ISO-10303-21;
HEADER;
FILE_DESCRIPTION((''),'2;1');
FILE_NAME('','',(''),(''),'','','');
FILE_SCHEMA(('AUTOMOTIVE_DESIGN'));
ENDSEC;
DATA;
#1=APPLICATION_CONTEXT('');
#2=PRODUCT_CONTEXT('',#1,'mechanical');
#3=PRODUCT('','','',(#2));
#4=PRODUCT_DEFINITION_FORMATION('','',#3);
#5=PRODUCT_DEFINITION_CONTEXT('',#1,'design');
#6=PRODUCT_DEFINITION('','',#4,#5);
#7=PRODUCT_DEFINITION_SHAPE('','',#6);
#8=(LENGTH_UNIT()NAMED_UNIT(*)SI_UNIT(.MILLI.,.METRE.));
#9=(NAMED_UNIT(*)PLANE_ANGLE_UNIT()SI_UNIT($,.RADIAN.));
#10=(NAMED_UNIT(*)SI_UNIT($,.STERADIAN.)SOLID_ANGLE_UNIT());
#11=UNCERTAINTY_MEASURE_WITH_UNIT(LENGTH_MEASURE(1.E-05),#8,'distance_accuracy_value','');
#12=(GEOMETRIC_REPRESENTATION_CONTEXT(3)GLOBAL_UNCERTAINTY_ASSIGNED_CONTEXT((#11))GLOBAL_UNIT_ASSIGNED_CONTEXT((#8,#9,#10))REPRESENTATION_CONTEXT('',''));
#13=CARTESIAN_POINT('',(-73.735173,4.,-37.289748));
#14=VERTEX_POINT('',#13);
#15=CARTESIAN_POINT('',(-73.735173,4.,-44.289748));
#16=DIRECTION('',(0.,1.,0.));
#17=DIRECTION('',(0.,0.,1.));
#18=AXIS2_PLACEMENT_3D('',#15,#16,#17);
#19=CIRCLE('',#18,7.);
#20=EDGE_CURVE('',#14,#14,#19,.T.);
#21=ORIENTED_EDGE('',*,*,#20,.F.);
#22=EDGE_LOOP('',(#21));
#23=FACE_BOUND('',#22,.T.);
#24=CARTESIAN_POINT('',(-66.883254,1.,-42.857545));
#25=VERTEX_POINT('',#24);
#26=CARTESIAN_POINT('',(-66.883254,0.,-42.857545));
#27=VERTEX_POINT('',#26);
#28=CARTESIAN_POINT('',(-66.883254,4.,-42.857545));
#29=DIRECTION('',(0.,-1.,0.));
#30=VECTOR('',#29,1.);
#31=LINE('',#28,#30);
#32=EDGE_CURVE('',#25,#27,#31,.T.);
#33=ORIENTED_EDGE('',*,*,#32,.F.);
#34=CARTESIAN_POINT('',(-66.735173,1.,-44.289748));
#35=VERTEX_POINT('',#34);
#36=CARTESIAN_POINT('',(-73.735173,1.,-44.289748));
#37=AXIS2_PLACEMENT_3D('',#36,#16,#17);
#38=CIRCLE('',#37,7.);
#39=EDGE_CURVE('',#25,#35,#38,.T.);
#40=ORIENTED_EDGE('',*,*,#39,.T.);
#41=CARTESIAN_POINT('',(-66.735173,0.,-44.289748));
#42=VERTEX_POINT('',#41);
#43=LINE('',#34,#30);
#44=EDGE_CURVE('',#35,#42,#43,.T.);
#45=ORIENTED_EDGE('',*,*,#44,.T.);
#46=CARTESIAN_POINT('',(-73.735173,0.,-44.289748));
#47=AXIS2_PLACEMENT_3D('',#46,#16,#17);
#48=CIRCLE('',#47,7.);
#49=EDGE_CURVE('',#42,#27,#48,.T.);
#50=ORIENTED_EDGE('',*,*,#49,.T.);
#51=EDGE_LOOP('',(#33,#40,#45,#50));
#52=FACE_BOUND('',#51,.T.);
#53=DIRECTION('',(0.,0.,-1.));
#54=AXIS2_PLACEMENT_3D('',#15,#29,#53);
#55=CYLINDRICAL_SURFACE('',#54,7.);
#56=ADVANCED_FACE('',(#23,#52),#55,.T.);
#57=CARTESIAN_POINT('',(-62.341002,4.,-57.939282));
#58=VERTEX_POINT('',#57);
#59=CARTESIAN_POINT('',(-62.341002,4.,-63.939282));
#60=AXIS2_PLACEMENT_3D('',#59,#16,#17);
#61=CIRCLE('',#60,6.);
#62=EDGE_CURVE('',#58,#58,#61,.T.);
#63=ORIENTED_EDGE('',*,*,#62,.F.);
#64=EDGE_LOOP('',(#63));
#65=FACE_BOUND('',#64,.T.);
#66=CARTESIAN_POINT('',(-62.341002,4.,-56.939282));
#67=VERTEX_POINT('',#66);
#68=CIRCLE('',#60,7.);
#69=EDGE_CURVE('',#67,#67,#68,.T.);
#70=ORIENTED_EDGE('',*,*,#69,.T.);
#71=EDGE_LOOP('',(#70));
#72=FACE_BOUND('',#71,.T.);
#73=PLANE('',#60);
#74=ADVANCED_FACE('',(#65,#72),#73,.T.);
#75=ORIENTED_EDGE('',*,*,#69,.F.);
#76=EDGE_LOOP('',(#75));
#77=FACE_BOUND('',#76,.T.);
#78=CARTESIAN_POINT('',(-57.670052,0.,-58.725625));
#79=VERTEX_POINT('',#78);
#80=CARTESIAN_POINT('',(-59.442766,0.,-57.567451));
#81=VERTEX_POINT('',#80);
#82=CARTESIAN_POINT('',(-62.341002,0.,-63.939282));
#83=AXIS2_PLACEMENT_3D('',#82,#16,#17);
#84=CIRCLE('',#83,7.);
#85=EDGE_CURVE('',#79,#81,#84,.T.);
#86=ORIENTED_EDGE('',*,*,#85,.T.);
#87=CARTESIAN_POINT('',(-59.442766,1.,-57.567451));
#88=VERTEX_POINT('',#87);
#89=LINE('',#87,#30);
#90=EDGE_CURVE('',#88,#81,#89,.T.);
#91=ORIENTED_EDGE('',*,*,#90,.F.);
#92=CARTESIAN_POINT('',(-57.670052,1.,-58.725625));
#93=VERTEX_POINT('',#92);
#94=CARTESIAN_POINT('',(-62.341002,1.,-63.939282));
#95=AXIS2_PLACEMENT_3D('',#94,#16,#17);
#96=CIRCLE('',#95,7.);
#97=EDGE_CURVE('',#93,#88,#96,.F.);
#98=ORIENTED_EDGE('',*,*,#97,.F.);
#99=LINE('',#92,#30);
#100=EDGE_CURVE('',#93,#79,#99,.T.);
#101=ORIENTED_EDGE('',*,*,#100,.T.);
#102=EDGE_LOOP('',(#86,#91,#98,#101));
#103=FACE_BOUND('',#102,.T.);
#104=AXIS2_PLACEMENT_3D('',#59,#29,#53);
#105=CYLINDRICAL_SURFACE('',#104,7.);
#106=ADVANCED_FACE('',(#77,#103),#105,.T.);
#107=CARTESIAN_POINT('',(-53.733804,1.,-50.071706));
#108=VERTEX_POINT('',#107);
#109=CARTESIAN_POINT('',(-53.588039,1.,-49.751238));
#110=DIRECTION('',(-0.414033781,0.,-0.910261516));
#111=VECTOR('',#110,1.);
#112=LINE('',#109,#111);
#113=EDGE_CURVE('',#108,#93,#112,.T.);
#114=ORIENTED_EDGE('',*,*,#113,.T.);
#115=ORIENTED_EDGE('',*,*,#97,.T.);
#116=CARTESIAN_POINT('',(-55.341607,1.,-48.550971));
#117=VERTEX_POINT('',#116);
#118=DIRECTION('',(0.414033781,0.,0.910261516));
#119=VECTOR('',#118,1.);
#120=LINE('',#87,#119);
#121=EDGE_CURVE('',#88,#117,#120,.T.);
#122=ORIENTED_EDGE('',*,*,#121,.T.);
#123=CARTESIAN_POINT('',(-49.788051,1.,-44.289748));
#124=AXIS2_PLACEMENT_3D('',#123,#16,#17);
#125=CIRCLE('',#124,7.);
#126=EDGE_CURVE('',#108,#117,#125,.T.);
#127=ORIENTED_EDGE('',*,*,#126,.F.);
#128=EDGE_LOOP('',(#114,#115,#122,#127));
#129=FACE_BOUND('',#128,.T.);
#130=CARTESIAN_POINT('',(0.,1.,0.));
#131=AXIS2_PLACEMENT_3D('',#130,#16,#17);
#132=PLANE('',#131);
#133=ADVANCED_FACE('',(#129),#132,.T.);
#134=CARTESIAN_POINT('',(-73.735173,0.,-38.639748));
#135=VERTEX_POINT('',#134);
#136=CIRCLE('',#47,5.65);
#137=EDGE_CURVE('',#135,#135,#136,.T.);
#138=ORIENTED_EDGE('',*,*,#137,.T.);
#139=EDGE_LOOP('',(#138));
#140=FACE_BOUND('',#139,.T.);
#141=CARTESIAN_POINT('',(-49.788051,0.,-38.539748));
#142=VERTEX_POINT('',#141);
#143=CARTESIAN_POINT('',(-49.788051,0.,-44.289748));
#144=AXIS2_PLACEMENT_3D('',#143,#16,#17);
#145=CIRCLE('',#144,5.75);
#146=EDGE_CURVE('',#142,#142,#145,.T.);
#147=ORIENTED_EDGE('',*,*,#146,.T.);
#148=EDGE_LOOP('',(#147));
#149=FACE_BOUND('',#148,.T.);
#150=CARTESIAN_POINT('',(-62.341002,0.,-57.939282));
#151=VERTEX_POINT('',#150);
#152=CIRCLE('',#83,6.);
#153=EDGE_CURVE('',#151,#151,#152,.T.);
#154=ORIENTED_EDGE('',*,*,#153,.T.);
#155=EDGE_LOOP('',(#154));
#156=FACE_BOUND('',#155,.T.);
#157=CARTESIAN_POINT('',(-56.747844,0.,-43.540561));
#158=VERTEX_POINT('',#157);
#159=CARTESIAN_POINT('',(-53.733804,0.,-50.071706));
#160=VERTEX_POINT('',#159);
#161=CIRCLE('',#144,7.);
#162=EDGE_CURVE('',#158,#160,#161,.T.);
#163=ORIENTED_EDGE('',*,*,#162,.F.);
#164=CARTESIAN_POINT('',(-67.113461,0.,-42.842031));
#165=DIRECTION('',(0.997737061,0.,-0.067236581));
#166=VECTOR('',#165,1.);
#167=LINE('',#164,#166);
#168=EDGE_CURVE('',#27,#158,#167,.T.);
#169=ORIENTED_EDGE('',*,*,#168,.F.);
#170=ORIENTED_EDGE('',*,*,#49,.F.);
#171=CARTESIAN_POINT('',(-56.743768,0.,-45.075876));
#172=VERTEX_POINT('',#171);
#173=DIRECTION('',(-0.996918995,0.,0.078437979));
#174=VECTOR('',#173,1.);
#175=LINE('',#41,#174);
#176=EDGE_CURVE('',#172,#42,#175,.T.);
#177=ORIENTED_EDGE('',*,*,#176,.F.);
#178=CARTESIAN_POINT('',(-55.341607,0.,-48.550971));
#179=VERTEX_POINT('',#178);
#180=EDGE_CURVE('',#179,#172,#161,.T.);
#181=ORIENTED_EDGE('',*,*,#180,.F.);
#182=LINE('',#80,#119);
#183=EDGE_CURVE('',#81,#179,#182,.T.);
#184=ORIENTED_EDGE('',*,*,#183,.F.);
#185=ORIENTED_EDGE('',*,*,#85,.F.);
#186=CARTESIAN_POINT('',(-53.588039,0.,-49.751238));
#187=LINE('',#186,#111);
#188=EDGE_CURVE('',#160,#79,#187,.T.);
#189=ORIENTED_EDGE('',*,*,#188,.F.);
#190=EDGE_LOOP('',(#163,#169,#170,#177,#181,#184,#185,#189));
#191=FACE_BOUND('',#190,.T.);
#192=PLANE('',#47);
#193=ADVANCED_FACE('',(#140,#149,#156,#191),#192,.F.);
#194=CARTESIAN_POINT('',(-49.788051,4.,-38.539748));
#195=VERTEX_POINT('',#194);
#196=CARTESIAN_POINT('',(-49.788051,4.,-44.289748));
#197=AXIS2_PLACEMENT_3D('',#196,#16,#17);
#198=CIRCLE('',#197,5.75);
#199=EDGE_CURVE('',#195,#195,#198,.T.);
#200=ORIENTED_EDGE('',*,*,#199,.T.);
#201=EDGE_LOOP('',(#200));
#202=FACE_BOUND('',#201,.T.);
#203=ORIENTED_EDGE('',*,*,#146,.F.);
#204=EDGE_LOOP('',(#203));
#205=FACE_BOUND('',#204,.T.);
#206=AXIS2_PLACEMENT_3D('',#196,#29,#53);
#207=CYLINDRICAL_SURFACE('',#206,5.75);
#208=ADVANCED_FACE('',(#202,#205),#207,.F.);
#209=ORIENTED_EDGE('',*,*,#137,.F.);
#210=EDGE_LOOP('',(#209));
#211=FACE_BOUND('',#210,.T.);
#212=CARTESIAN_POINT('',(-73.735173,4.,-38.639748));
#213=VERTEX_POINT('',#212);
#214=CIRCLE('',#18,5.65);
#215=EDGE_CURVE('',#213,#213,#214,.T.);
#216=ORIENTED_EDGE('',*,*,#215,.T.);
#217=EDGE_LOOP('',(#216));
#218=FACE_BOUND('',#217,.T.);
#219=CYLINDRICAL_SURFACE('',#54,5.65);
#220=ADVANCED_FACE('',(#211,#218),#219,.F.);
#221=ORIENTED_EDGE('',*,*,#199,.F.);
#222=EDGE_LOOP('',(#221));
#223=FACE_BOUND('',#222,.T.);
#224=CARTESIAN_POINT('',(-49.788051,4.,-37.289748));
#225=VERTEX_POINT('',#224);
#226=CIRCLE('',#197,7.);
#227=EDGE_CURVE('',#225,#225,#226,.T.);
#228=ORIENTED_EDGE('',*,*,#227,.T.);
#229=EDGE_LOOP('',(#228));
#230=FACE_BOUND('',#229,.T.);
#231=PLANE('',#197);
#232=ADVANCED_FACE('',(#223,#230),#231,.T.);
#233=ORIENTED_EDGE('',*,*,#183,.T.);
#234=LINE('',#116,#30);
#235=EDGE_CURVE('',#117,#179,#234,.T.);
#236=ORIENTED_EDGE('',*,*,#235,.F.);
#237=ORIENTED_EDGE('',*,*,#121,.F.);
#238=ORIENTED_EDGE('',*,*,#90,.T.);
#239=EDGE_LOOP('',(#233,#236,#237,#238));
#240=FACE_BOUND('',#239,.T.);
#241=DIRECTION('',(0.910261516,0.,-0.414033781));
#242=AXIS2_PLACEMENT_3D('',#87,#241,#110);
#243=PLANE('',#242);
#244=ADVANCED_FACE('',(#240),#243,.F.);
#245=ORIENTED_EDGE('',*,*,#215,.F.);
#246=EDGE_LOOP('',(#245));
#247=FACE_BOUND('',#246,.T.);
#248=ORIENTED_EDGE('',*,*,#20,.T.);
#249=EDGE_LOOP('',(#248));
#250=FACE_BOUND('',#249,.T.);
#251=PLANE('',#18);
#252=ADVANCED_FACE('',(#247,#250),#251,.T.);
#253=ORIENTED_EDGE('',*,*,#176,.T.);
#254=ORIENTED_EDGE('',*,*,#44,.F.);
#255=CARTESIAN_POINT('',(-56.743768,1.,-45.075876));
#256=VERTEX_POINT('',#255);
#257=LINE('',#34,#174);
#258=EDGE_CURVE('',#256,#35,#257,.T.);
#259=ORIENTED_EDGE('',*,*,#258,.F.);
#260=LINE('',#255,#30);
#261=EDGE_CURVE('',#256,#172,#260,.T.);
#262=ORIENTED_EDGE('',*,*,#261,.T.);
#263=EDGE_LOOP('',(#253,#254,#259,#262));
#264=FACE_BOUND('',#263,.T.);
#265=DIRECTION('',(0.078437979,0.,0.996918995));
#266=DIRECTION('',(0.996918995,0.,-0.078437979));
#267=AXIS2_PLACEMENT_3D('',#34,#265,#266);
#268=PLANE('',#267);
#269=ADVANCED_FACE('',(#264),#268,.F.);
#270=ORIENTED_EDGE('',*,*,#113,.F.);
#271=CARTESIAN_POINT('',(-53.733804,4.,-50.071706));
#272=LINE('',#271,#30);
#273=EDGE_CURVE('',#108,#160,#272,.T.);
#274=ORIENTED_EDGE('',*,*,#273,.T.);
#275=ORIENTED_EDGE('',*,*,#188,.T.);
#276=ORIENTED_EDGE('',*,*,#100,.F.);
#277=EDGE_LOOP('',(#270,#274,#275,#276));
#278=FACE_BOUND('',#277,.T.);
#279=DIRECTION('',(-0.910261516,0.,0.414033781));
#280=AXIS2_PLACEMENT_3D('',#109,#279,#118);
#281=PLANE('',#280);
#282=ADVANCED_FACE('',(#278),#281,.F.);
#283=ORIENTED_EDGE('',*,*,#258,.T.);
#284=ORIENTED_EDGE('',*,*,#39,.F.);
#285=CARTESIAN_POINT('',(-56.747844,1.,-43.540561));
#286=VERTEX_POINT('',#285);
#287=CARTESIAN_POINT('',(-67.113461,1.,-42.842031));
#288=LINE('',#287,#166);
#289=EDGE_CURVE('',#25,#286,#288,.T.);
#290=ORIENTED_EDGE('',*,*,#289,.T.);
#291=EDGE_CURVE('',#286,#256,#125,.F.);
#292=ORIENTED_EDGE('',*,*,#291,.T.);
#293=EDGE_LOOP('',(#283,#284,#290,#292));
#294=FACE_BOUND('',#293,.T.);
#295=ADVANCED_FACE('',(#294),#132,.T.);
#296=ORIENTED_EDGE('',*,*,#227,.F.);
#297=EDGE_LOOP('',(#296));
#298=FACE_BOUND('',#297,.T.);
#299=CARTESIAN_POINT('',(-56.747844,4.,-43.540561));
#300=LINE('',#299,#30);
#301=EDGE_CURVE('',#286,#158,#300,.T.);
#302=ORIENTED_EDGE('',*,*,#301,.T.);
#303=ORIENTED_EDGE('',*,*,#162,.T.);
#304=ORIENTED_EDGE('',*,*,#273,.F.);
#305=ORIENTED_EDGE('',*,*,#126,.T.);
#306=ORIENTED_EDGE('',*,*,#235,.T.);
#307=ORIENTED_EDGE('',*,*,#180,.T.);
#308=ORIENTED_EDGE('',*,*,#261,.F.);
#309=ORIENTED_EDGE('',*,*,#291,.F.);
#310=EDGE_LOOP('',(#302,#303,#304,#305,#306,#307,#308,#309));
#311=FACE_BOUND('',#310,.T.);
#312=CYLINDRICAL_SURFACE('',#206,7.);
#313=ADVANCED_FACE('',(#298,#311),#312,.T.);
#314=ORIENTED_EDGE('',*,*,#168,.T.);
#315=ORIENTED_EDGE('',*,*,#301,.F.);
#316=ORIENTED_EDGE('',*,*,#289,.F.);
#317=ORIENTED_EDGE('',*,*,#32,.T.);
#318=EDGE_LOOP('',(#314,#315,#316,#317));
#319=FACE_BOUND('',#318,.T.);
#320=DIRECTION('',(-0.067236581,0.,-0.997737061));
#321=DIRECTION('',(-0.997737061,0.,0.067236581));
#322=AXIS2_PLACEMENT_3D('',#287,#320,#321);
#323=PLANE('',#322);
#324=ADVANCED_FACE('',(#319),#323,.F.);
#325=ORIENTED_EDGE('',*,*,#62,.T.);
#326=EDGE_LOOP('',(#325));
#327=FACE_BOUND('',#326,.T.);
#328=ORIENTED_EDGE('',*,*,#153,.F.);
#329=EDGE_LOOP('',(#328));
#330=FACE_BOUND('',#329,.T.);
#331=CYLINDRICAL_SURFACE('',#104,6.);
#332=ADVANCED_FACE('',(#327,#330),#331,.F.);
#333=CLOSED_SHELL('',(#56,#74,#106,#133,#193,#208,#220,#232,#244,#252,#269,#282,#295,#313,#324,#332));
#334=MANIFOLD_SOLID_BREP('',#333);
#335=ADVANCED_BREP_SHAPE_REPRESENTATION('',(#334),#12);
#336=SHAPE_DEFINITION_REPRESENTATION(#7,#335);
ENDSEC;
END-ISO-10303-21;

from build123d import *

# Parameters (mm, degrees)
SKETCH_1_R        = 7
SKETCH_1_R_2      = 5.65
EXTRUDE_1_DEPTH   = 4
SKETCH_1_R_3      = 5.75
EXTRUDE_1_2_DEPTH = 4
SKETCH_1_R_4      = 6
EXTRUDE_1_3_DEPTH = 4
EXTRUDE_2_DEPTH   = 1


with BuildPart() as part:
    # 草图1 → 凸台-拉伸1 (new body)
    with BuildSketch(Plane(origin=(0, 0, 0), x_dir=(1, 0, 0), z_dir=(0, 1, 0))):
        with Locations((-73.735173333, 44.289748166)):
            Circle(SKETCH_1_R)
        with Locations((-73.735173333, 44.289748166)):
            Circle(SKETCH_1_R_2, mode=Mode.SUBTRACT)
    extrude(amount=EXTRUDE_1_DEPTH)



with BuildPart() as body_2:
    # 草图1 → Extrude 1 2 (new body)
    with BuildSketch(Plane(origin=(0, 0, 0), x_dir=(1, 0, 0), z_dir=(0, 1, 0))):
        with Locations((-49.788051119, 44.289748166)):
            Circle(SKETCH_1_R)
        with Locations((-49.788051119, 44.289748166)):
            Circle(SKETCH_1_R_3, mode=Mode.SUBTRACT)
    extrude(amount=EXTRUDE_1_2_DEPTH)


with BuildPart() as body_3:
    # 草图1 → Extrude 1 3 (new body)
    with BuildSketch(Plane(origin=(0, 0, 0), x_dir=(1, 0, 0), z_dir=(0, 1, 0))):
        with Locations((-62.341002405, 63.939282004)):
            Circle(SKETCH_1_R)
        with Locations((-62.341002405, 63.939282004)):
            Circle(SKETCH_1_R_4, mode=Mode.SUBTRACT)
    extrude(amount=EXTRUDE_1_3_DEPTH)


with BuildPart() as part_1:
    add(part.part)

    add(body_2.part)  # 凸台-拉伸2 merges body 2

    add(body_3.part)  # 凸台-拉伸2 merges body 3
    # 草图2 → 凸台-拉伸2 (add)
    with BuildSketch(Plane(origin=(0, 0, 0), x_dir=(1, 0, 0), z_dir=(0, 1, 0))):
        Polygon((-66.735173333, 44.289748166), (-56.743768428, 45.075875842), (-56.371981746, 43.565889762), (-67.1134612, 42.842031358), align=None)
        Polygon((-59.44276594, 57.567451388), (-55.341606688, 48.550971059), (-53.588038725, 49.751237508), (-57.6700519, 58.725624806), align=None)
    extrude(amount=EXTRUDE_2_DEPTH)


solid = part_1.part
